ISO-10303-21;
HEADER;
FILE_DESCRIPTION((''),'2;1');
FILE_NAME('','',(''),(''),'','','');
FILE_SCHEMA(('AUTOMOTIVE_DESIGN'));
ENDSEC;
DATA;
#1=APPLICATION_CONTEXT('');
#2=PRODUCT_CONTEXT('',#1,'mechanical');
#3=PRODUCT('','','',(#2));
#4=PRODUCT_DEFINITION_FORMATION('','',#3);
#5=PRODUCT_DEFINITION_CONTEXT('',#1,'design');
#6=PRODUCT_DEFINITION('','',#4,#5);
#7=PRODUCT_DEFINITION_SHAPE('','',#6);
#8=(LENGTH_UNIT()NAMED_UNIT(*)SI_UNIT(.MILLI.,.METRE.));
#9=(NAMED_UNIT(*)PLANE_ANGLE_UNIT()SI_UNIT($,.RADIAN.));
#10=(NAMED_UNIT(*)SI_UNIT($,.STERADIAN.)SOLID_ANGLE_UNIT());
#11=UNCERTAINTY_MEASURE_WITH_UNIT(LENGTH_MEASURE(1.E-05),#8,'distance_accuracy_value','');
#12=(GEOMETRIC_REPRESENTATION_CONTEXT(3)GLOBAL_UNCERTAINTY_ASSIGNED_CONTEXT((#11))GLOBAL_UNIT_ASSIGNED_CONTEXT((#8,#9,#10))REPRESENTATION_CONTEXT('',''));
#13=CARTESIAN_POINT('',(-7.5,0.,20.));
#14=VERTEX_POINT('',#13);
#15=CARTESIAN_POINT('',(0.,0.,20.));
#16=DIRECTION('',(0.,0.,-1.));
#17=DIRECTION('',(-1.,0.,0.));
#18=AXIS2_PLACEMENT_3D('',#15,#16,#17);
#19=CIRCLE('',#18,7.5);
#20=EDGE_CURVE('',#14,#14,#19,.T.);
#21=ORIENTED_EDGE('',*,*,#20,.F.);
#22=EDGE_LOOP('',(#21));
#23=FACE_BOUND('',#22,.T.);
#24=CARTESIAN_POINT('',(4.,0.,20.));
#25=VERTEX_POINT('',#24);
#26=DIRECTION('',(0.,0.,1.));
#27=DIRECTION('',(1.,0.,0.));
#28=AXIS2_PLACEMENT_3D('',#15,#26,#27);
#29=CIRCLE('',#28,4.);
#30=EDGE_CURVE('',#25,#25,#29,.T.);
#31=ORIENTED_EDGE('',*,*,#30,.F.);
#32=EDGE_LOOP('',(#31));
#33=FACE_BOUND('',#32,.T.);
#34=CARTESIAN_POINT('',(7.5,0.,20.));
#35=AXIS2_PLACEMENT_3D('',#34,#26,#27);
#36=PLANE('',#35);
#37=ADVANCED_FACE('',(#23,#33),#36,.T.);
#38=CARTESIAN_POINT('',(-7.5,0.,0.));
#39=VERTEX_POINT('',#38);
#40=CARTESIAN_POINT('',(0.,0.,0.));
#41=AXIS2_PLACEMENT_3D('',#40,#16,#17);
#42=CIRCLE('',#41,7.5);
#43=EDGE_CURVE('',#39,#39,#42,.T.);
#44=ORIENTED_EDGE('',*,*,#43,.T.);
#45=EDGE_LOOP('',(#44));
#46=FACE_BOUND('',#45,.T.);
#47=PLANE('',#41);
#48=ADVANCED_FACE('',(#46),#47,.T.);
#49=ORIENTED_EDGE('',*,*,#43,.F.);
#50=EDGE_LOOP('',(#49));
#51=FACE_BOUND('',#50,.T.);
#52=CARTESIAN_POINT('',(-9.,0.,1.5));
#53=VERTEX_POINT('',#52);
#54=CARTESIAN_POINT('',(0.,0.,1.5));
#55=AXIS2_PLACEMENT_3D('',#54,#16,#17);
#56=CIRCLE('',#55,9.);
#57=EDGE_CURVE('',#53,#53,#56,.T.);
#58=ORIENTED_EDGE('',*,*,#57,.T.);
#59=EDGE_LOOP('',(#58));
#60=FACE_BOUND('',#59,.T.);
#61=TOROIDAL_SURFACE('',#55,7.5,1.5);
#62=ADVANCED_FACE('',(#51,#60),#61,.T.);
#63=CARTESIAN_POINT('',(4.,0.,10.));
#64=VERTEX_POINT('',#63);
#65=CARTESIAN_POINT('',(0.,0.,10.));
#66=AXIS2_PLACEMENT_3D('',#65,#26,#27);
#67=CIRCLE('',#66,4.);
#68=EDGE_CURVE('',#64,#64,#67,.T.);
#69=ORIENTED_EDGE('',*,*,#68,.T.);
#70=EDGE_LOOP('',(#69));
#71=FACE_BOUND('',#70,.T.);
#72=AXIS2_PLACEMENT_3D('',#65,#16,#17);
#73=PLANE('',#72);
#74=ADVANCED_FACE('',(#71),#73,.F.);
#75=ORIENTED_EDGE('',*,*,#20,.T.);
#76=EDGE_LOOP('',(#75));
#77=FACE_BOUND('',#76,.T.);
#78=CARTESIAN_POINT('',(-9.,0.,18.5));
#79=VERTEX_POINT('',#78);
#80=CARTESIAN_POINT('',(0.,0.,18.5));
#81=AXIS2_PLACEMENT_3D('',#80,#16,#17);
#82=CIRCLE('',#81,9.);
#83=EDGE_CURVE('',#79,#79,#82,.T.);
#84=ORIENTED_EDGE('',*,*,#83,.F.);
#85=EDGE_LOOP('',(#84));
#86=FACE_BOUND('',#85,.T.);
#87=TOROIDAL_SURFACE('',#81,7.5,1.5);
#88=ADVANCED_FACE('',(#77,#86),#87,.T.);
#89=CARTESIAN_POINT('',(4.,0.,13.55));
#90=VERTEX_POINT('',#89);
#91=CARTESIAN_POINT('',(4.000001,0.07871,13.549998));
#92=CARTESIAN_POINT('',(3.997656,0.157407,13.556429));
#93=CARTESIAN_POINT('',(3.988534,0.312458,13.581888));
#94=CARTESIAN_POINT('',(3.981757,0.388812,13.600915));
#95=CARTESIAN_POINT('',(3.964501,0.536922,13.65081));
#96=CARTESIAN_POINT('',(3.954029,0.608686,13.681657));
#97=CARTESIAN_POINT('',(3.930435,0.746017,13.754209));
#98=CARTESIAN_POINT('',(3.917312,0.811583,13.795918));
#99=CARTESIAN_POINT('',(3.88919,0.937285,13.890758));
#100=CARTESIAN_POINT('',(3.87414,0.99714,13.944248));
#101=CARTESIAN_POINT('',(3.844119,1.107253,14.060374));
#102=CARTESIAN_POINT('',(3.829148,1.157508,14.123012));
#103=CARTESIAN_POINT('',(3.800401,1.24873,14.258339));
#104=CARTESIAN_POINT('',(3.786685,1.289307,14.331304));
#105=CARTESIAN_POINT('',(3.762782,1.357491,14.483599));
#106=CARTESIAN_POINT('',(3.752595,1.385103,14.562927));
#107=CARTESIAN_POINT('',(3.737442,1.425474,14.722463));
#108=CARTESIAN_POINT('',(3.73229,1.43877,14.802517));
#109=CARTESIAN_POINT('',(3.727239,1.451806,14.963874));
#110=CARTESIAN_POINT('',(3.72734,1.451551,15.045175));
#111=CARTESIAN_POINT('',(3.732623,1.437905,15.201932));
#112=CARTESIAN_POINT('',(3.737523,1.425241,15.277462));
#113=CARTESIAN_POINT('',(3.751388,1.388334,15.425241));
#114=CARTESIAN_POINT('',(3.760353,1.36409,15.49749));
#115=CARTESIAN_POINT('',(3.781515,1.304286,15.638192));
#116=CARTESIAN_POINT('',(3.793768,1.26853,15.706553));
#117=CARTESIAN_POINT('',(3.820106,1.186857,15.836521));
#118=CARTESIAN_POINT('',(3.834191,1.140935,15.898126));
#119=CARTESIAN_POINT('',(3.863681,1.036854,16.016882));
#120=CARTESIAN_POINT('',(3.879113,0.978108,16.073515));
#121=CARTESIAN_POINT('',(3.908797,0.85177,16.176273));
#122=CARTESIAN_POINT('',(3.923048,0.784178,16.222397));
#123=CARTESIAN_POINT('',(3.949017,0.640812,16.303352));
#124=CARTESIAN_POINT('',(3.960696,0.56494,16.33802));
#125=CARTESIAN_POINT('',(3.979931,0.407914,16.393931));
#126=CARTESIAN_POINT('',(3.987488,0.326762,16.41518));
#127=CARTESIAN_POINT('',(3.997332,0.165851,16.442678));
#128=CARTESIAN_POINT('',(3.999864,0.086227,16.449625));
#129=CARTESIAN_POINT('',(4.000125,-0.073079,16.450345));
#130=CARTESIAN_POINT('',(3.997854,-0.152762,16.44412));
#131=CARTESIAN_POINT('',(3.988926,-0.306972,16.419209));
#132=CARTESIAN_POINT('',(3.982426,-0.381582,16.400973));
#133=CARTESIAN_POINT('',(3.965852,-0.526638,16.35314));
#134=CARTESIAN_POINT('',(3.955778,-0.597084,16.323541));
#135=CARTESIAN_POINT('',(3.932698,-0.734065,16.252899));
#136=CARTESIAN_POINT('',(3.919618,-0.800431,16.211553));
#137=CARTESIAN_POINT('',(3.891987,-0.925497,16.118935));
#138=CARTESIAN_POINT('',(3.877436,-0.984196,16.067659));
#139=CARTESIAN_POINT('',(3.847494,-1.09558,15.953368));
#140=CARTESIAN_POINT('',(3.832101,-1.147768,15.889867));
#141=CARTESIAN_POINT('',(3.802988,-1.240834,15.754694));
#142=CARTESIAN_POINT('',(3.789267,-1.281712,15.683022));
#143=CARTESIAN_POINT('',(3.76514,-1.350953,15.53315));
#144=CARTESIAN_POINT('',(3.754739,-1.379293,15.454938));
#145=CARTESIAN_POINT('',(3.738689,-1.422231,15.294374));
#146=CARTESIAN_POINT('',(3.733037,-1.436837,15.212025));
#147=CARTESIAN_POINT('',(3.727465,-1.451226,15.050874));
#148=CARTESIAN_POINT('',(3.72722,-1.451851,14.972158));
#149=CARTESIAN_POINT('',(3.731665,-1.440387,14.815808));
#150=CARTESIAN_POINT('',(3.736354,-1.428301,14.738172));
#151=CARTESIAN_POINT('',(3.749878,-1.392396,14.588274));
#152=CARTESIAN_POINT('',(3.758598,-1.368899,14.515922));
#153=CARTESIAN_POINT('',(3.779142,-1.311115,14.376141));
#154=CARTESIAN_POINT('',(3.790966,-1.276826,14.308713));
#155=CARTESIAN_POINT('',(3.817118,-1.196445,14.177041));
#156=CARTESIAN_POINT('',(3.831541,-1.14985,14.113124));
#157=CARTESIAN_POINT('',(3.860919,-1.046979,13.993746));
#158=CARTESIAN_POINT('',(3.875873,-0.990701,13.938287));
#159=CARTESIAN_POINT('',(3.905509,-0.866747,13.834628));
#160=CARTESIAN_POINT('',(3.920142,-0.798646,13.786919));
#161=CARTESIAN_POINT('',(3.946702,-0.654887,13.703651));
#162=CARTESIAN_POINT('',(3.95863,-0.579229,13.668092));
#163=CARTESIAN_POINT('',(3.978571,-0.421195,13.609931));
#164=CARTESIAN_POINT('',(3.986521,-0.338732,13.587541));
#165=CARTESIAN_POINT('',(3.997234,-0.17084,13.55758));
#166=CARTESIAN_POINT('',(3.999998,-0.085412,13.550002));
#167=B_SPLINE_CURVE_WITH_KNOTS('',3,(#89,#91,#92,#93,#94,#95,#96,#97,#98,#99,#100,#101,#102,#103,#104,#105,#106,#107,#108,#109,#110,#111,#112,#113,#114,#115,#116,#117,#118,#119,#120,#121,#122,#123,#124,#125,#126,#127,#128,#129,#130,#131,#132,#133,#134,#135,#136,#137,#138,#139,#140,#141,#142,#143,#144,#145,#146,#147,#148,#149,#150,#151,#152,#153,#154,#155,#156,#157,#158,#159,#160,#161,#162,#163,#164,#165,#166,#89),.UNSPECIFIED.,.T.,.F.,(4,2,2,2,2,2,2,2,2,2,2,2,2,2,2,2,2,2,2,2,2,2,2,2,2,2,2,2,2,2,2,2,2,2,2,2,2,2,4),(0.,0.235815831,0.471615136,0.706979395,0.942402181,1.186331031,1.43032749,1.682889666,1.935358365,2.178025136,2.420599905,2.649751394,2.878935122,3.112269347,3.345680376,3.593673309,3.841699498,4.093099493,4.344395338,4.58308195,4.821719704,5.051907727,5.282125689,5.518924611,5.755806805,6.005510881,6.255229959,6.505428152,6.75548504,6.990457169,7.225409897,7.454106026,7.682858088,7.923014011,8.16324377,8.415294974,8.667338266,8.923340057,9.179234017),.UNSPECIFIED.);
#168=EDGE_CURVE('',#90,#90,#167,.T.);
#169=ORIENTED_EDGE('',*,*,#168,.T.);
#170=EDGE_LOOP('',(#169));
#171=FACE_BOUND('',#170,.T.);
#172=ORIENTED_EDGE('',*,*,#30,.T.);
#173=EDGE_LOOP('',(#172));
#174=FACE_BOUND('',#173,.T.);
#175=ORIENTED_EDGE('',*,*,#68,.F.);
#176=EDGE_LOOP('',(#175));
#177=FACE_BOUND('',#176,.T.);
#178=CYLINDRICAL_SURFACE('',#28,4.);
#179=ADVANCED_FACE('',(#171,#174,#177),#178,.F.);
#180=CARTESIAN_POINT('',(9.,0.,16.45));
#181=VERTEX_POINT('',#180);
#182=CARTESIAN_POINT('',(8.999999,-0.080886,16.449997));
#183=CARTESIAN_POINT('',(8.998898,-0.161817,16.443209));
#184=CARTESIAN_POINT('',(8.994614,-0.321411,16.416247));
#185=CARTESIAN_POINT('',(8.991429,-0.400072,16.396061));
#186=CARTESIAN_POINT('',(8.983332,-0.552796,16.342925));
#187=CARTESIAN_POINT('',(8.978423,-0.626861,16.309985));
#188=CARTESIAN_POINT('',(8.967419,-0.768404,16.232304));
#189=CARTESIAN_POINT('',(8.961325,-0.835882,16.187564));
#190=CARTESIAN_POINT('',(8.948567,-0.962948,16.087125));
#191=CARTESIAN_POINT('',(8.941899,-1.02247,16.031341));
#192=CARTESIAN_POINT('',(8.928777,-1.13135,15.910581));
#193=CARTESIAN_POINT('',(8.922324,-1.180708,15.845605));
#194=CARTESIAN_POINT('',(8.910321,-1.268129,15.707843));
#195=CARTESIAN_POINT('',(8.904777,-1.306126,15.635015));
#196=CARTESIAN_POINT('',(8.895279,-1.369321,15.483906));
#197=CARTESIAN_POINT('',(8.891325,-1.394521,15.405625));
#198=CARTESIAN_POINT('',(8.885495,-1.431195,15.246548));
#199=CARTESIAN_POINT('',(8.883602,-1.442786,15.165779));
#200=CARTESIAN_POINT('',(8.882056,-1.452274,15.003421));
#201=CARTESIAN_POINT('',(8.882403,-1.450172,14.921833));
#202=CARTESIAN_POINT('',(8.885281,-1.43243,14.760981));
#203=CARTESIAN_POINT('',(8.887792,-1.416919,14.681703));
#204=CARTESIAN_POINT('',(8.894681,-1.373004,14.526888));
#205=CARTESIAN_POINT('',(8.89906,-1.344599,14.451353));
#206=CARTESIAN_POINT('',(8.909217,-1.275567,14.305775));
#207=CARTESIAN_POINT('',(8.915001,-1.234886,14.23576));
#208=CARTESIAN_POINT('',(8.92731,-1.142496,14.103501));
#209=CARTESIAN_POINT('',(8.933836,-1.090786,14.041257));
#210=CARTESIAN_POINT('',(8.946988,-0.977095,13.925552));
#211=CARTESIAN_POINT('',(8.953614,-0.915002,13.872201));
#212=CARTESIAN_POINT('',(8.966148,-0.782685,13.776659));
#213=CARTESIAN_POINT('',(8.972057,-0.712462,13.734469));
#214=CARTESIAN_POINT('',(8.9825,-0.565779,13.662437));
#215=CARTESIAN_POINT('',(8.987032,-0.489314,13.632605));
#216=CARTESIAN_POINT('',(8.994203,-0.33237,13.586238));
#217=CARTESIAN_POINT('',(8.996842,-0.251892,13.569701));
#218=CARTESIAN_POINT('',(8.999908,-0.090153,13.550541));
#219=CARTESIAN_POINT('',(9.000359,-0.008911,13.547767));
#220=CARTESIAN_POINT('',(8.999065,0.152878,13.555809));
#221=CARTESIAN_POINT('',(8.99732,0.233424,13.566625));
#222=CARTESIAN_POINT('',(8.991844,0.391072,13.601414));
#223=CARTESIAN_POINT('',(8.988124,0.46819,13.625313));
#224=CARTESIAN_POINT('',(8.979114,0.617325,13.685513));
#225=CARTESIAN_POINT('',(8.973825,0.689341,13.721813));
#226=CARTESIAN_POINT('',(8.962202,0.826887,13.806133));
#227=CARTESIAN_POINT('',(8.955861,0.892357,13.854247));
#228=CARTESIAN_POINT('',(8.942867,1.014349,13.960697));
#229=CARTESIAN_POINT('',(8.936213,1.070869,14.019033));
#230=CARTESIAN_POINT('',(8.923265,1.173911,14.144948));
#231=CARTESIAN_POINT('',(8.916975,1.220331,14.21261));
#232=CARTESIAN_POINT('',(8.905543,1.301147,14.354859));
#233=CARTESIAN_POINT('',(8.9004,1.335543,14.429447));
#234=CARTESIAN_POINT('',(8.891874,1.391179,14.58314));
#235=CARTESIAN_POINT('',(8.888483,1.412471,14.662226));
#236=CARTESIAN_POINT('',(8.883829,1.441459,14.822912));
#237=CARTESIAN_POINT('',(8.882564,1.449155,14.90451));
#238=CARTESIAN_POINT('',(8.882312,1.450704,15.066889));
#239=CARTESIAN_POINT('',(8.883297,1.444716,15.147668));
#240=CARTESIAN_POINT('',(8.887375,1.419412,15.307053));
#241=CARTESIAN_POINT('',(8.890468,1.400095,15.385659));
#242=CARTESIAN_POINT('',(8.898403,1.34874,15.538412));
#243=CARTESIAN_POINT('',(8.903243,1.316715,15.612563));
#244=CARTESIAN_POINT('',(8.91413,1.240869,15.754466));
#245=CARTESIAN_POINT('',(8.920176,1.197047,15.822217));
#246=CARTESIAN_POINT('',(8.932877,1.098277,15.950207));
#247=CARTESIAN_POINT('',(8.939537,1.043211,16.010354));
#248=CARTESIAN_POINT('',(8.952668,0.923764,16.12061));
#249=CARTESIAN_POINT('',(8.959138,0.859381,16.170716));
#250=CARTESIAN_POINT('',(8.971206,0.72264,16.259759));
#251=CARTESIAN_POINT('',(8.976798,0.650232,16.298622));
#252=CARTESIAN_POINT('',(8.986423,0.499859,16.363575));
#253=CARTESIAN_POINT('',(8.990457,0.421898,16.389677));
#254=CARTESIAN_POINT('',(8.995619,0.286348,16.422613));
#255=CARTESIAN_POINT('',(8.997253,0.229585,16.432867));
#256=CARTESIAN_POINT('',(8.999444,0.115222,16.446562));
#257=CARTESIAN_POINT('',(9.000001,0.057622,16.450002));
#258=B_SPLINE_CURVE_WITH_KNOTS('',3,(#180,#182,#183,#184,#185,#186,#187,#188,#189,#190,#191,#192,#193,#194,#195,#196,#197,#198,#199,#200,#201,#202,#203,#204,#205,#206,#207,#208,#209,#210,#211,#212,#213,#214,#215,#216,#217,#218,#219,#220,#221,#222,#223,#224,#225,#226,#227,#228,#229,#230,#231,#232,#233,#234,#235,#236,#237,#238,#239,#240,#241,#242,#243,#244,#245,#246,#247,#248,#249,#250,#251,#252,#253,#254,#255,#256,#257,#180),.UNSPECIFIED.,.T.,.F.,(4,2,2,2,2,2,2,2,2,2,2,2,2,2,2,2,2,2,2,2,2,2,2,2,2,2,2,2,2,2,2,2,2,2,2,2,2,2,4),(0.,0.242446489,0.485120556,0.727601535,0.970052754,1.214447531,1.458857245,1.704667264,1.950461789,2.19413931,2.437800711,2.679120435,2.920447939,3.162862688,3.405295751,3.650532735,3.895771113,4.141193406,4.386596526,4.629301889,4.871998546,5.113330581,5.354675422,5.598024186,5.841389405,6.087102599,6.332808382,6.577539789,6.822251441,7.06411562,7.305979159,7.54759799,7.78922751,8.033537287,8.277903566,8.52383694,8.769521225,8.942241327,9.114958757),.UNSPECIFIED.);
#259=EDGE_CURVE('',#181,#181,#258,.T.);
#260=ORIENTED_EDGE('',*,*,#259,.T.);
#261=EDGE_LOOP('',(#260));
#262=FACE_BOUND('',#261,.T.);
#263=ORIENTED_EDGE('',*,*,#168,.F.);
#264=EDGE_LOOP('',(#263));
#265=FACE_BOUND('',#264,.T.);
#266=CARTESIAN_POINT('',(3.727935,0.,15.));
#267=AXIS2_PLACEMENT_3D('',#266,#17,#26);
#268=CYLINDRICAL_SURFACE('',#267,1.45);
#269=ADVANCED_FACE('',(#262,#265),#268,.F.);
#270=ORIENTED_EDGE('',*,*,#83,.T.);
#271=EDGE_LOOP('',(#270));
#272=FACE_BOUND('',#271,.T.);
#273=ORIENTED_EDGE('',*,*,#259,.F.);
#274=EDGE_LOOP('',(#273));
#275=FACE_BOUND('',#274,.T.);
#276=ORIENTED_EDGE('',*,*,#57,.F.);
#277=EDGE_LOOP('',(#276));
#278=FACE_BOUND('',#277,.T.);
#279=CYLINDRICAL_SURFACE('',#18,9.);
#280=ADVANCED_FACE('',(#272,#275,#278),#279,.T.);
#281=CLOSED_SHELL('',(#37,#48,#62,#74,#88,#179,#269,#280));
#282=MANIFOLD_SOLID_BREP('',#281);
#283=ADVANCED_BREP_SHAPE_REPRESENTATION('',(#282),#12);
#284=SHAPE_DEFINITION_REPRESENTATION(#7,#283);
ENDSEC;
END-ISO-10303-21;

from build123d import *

# Parameters (mm, degrees)
F_8_0_8_DIAMETER_HOLE1_D     = 8
F_8_0_8_DIAMETER_HOLE1_DEPTH = 10
SKETCH4_W                    = 1.45
SKETCH4_H                    = 18


with BuildPart() as part:
    # Sketch1 → Revolve1 (revolve)
    with BuildSketch(Plane.XZ, mode=Mode.PRIVATE) as revolve1_sk:
        with BuildLine():
            Line((7.5, 20), (0, 20))
            Line((0, 20), (0, 0))
            Line((0, 0), (7.5, 0))
            ThreePointArc((7.5, 0), (8.560660172, 0.439339828), (9, 1.5))
            Line((9, 1.5), (9, 18.5))
            ThreePointArc((9, 18.5), (8.560660172, 19.560660172), (7.5, 20))
        make_face()
    revolve(revolve1_sk.sketch.rotate(Axis((0, 0, 20), (0, 0, -1)), 180), axis=Axis((0, 0, 20), (0, 0, -1)))

    # Ø8.0 (8) Diameter Hole1
    with Locations(Plane.XY.offset(20)):
        with Locations((0, 0)):
            Hole(F_8_0_8_DIAMETER_HOLE1_D / 2, depth=F_8_0_8_DIAMETER_HOLE1_DEPTH)

    # Sketch4 → Ø2.9 (2.9) Diameter Hole1 (revolve, cut)
    with BuildSketch(Plane(origin=(3.727935085, 0, 15), x_dir=(0, 0, 1), z_dir=(0, 1, 0))):
        with Locations((0.725, 9)):
            Rectangle(SKETCH4_W, SKETCH4_H)
    revolve(axis=Axis((-2.622064915, 0, 15), (1, 0, 0)), mode=Mode.SUBTRACT)


solid = part.part
